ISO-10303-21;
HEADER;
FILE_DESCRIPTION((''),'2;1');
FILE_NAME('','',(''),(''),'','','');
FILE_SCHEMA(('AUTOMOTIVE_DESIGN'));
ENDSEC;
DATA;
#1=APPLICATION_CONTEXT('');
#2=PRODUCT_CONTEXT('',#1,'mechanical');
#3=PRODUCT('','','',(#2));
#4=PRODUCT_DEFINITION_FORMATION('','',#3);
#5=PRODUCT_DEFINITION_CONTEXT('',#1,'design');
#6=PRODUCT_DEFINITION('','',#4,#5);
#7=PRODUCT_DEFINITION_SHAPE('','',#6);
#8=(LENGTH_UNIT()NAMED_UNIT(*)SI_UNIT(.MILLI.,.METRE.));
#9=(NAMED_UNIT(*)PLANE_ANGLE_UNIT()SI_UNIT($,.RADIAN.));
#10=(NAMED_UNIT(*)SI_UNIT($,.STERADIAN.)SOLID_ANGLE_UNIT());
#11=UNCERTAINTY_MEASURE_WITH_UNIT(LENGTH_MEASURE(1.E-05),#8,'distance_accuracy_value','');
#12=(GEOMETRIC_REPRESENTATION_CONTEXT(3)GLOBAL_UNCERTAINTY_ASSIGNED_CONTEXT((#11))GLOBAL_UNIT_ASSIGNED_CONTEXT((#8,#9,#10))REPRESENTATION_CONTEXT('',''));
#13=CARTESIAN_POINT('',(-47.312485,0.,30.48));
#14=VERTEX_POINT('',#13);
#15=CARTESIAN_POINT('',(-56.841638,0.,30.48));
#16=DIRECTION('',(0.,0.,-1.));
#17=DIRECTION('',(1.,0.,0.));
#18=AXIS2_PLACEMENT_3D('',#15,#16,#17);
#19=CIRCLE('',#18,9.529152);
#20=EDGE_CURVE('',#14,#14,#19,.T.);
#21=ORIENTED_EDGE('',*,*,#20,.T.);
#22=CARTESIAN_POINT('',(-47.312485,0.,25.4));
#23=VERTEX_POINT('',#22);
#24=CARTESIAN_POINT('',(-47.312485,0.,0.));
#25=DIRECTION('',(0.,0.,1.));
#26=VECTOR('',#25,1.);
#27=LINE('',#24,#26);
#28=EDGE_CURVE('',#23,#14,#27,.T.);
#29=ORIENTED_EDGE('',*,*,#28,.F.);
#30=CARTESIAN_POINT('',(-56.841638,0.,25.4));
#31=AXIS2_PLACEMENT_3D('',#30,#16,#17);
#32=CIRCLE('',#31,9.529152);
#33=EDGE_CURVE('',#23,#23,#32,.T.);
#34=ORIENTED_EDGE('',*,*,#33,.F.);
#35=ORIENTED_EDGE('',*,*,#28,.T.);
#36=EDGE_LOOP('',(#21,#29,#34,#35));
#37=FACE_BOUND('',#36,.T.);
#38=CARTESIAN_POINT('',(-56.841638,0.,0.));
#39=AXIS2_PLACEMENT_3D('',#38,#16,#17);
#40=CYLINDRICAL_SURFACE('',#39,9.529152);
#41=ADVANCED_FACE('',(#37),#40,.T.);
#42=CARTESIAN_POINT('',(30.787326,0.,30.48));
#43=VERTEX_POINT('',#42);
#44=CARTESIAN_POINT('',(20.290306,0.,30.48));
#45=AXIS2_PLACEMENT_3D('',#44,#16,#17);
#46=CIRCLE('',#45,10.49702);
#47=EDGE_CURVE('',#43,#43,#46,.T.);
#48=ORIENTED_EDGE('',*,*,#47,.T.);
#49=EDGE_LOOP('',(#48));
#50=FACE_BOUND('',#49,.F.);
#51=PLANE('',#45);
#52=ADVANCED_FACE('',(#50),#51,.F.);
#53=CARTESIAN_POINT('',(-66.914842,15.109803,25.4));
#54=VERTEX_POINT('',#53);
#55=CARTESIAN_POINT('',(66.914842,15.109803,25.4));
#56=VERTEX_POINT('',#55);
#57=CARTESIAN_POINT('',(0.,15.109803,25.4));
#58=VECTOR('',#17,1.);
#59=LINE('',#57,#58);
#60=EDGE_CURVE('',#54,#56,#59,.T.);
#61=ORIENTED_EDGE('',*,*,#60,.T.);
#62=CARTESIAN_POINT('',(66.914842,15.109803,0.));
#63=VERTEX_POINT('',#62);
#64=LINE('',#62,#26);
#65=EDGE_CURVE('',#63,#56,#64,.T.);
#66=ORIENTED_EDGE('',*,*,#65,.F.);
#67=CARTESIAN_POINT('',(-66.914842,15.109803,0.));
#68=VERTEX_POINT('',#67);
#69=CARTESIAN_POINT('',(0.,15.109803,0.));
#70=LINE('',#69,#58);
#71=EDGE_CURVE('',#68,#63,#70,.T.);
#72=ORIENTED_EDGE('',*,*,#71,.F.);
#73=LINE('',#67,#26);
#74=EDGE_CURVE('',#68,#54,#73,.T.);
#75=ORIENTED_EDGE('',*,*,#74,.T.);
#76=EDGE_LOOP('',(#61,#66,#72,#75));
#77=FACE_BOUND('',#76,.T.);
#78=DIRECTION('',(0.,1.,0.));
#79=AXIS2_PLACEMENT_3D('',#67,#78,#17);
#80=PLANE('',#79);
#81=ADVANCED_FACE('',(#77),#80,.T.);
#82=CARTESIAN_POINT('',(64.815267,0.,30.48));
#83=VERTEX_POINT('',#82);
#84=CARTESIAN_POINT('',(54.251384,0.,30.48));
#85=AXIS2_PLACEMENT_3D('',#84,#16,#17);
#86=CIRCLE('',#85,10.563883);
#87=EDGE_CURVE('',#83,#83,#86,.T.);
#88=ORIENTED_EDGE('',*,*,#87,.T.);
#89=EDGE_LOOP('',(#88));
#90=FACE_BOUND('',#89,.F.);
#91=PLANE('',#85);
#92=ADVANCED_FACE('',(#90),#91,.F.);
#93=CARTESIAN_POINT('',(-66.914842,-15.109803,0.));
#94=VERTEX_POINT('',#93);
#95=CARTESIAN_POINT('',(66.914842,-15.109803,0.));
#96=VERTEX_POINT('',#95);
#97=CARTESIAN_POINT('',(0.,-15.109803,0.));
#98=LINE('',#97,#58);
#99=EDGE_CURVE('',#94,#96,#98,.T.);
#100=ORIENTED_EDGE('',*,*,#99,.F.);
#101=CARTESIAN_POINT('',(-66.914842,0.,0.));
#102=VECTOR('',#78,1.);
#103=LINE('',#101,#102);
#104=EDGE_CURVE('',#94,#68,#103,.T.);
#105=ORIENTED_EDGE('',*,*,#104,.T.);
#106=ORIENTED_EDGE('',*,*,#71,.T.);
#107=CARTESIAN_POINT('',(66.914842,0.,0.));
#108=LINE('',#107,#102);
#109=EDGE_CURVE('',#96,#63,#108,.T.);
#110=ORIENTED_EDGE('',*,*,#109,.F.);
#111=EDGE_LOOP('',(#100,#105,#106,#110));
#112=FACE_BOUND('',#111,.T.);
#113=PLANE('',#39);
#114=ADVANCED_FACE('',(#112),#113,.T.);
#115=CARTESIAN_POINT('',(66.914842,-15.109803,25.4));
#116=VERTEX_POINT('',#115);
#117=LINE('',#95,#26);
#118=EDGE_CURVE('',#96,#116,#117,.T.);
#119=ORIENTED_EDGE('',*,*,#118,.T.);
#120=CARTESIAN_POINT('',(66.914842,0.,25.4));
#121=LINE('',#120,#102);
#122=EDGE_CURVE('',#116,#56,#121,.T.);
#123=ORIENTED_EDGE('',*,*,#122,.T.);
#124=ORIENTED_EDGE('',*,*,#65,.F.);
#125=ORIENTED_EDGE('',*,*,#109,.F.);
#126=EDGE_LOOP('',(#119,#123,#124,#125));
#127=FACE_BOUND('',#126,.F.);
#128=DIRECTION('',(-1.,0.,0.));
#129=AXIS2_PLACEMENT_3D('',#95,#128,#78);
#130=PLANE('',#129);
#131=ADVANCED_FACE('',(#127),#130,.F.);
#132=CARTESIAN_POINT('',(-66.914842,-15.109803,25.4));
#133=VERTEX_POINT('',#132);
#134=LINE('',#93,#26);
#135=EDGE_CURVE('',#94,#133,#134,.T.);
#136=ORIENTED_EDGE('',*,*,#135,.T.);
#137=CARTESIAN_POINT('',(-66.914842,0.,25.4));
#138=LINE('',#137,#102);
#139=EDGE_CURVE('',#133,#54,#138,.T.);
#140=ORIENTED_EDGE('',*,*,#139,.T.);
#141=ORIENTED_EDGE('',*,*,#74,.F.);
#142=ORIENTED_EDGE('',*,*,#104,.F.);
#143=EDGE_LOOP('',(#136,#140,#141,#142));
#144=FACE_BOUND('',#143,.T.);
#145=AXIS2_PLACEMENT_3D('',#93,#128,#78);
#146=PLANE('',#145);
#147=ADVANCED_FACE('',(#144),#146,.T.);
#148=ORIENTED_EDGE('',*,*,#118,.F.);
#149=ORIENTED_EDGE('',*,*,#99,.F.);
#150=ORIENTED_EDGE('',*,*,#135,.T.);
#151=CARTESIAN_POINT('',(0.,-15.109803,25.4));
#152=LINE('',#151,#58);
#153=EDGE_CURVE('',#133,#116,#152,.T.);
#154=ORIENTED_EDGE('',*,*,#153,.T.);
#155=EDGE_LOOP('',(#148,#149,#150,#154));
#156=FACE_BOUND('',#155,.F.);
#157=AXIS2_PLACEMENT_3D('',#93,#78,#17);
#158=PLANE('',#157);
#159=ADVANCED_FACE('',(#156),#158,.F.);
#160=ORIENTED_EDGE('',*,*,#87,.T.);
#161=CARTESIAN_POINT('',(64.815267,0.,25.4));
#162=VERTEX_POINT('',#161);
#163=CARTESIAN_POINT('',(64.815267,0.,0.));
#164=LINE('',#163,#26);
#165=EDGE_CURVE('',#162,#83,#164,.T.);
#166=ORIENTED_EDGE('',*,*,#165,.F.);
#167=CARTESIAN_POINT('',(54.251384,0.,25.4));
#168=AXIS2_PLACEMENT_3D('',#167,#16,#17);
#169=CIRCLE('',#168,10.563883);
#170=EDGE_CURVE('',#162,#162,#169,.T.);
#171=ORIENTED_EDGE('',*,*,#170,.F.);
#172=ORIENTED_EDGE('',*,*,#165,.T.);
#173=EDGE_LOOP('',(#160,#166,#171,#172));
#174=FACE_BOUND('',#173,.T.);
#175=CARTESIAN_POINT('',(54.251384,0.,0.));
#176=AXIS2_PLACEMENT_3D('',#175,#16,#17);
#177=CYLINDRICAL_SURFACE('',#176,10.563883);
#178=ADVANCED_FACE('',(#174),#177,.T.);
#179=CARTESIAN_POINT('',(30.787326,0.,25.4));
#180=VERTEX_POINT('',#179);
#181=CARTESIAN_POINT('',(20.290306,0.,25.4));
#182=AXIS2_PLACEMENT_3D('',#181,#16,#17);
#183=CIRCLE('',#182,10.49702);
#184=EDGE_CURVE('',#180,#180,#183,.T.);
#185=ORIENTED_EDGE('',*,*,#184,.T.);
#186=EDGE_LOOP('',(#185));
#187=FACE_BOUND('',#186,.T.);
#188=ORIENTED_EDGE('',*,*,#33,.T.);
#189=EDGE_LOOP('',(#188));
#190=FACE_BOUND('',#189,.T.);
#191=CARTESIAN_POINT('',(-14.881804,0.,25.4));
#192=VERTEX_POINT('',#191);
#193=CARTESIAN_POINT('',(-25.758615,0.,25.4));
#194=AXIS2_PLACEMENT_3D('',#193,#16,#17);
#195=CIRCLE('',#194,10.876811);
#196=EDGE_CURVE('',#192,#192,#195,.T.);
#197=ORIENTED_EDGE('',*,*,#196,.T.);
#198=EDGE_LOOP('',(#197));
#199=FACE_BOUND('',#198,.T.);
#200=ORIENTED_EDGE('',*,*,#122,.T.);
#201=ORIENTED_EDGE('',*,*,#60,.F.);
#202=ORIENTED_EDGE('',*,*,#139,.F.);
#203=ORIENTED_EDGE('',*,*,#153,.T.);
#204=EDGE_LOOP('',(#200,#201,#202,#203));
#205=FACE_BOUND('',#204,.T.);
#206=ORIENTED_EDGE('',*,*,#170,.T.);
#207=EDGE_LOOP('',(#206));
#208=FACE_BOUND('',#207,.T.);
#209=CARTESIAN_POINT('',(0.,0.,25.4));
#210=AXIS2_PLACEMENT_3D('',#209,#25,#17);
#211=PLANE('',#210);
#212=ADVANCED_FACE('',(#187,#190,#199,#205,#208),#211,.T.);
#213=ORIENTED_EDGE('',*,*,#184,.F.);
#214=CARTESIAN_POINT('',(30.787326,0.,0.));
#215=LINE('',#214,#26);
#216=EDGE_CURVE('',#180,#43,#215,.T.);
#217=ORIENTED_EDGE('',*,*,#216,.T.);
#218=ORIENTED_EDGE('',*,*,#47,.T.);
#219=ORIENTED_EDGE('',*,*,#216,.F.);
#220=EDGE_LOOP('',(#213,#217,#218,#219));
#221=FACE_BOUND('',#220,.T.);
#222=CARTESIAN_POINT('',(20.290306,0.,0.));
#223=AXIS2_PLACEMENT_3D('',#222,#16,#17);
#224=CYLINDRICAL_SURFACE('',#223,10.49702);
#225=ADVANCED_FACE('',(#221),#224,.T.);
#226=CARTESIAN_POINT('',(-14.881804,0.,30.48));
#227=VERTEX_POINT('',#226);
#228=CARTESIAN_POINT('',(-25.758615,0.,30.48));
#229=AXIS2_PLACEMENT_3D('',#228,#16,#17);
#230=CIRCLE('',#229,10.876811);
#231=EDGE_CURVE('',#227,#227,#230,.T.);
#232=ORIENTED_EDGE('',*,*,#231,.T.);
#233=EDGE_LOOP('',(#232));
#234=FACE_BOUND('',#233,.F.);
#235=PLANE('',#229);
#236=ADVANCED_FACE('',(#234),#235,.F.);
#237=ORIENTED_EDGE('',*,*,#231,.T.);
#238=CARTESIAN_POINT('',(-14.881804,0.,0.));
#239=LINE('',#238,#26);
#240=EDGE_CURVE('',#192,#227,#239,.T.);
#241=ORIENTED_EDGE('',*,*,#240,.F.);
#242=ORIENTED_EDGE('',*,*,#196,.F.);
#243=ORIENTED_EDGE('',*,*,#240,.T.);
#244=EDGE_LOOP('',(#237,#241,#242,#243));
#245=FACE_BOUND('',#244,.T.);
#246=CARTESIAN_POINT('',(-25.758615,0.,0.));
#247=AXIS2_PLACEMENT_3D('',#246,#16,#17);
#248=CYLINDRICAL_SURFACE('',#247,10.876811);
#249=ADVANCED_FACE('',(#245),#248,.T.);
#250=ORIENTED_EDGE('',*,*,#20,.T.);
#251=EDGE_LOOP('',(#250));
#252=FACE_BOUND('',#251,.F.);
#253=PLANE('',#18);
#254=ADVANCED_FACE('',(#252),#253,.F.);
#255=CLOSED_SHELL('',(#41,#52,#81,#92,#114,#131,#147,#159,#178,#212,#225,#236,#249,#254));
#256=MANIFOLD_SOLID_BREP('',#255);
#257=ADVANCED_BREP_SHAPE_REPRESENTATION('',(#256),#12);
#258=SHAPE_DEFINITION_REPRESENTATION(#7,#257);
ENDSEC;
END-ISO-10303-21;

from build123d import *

# Parameters (mm, degrees)
F0_W     = 133.8296830654
F0_H     = 30.2196051925
F0_R     = 12.6806101672
F0_R_2   = 13.1338475118
F0_R_3   = 13.2147961645
F1_DEPTH = 25.4
F2_R     = 9.5291524703
F2_R_2   = 10.876810803
F2_R_3   = 10.4970200843
F2_R_4   = 10.5638834355
F3_DEPTH = 30.48


with BuildPart() as f1:
    # F0 (on Top) → F1 (new body)
    with BuildSketch(Plane.XY):
        Rectangle(F0_W, F0_H)
        with Locations((-49.6464930475, 0)):
            Circle(F0_R, mode=Mode.SUBTRACT)
        Circle(F0_R_2, mode=Mode.SUBTRACT)
        with Locations((45.0416021049, 0)):
            Circle(F0_R_3, mode=Mode.SUBTRACT)
        with Locations((45.0416021049, 0)):
            Circle(F0_R_3)
        Circle(F0_R_2)
        with Locations((-49.6464930475, 0)):
            Circle(F0_R)
    extrude(amount=F1_DEPTH)

    # F2 (on face) → F3 (join)
    with BuildSketch(Plane(origin=(0, 0, 0), x_dir=(1, 0, 0), z_dir=(0, 0, -1))):
        with Locations((-56.8416379392, 0)):
            Circle(F2_R)
        with Locations((-25.7586147636, 0)):
            Circle(F2_R_2)
        with Locations((20.290305838, 0)):
            Circle(F2_R_3)
        with Locations((54.25138399, 0)):
            Circle(F2_R_4)
    extrude(amount=-F3_DEPTH)


solid = f1.part
